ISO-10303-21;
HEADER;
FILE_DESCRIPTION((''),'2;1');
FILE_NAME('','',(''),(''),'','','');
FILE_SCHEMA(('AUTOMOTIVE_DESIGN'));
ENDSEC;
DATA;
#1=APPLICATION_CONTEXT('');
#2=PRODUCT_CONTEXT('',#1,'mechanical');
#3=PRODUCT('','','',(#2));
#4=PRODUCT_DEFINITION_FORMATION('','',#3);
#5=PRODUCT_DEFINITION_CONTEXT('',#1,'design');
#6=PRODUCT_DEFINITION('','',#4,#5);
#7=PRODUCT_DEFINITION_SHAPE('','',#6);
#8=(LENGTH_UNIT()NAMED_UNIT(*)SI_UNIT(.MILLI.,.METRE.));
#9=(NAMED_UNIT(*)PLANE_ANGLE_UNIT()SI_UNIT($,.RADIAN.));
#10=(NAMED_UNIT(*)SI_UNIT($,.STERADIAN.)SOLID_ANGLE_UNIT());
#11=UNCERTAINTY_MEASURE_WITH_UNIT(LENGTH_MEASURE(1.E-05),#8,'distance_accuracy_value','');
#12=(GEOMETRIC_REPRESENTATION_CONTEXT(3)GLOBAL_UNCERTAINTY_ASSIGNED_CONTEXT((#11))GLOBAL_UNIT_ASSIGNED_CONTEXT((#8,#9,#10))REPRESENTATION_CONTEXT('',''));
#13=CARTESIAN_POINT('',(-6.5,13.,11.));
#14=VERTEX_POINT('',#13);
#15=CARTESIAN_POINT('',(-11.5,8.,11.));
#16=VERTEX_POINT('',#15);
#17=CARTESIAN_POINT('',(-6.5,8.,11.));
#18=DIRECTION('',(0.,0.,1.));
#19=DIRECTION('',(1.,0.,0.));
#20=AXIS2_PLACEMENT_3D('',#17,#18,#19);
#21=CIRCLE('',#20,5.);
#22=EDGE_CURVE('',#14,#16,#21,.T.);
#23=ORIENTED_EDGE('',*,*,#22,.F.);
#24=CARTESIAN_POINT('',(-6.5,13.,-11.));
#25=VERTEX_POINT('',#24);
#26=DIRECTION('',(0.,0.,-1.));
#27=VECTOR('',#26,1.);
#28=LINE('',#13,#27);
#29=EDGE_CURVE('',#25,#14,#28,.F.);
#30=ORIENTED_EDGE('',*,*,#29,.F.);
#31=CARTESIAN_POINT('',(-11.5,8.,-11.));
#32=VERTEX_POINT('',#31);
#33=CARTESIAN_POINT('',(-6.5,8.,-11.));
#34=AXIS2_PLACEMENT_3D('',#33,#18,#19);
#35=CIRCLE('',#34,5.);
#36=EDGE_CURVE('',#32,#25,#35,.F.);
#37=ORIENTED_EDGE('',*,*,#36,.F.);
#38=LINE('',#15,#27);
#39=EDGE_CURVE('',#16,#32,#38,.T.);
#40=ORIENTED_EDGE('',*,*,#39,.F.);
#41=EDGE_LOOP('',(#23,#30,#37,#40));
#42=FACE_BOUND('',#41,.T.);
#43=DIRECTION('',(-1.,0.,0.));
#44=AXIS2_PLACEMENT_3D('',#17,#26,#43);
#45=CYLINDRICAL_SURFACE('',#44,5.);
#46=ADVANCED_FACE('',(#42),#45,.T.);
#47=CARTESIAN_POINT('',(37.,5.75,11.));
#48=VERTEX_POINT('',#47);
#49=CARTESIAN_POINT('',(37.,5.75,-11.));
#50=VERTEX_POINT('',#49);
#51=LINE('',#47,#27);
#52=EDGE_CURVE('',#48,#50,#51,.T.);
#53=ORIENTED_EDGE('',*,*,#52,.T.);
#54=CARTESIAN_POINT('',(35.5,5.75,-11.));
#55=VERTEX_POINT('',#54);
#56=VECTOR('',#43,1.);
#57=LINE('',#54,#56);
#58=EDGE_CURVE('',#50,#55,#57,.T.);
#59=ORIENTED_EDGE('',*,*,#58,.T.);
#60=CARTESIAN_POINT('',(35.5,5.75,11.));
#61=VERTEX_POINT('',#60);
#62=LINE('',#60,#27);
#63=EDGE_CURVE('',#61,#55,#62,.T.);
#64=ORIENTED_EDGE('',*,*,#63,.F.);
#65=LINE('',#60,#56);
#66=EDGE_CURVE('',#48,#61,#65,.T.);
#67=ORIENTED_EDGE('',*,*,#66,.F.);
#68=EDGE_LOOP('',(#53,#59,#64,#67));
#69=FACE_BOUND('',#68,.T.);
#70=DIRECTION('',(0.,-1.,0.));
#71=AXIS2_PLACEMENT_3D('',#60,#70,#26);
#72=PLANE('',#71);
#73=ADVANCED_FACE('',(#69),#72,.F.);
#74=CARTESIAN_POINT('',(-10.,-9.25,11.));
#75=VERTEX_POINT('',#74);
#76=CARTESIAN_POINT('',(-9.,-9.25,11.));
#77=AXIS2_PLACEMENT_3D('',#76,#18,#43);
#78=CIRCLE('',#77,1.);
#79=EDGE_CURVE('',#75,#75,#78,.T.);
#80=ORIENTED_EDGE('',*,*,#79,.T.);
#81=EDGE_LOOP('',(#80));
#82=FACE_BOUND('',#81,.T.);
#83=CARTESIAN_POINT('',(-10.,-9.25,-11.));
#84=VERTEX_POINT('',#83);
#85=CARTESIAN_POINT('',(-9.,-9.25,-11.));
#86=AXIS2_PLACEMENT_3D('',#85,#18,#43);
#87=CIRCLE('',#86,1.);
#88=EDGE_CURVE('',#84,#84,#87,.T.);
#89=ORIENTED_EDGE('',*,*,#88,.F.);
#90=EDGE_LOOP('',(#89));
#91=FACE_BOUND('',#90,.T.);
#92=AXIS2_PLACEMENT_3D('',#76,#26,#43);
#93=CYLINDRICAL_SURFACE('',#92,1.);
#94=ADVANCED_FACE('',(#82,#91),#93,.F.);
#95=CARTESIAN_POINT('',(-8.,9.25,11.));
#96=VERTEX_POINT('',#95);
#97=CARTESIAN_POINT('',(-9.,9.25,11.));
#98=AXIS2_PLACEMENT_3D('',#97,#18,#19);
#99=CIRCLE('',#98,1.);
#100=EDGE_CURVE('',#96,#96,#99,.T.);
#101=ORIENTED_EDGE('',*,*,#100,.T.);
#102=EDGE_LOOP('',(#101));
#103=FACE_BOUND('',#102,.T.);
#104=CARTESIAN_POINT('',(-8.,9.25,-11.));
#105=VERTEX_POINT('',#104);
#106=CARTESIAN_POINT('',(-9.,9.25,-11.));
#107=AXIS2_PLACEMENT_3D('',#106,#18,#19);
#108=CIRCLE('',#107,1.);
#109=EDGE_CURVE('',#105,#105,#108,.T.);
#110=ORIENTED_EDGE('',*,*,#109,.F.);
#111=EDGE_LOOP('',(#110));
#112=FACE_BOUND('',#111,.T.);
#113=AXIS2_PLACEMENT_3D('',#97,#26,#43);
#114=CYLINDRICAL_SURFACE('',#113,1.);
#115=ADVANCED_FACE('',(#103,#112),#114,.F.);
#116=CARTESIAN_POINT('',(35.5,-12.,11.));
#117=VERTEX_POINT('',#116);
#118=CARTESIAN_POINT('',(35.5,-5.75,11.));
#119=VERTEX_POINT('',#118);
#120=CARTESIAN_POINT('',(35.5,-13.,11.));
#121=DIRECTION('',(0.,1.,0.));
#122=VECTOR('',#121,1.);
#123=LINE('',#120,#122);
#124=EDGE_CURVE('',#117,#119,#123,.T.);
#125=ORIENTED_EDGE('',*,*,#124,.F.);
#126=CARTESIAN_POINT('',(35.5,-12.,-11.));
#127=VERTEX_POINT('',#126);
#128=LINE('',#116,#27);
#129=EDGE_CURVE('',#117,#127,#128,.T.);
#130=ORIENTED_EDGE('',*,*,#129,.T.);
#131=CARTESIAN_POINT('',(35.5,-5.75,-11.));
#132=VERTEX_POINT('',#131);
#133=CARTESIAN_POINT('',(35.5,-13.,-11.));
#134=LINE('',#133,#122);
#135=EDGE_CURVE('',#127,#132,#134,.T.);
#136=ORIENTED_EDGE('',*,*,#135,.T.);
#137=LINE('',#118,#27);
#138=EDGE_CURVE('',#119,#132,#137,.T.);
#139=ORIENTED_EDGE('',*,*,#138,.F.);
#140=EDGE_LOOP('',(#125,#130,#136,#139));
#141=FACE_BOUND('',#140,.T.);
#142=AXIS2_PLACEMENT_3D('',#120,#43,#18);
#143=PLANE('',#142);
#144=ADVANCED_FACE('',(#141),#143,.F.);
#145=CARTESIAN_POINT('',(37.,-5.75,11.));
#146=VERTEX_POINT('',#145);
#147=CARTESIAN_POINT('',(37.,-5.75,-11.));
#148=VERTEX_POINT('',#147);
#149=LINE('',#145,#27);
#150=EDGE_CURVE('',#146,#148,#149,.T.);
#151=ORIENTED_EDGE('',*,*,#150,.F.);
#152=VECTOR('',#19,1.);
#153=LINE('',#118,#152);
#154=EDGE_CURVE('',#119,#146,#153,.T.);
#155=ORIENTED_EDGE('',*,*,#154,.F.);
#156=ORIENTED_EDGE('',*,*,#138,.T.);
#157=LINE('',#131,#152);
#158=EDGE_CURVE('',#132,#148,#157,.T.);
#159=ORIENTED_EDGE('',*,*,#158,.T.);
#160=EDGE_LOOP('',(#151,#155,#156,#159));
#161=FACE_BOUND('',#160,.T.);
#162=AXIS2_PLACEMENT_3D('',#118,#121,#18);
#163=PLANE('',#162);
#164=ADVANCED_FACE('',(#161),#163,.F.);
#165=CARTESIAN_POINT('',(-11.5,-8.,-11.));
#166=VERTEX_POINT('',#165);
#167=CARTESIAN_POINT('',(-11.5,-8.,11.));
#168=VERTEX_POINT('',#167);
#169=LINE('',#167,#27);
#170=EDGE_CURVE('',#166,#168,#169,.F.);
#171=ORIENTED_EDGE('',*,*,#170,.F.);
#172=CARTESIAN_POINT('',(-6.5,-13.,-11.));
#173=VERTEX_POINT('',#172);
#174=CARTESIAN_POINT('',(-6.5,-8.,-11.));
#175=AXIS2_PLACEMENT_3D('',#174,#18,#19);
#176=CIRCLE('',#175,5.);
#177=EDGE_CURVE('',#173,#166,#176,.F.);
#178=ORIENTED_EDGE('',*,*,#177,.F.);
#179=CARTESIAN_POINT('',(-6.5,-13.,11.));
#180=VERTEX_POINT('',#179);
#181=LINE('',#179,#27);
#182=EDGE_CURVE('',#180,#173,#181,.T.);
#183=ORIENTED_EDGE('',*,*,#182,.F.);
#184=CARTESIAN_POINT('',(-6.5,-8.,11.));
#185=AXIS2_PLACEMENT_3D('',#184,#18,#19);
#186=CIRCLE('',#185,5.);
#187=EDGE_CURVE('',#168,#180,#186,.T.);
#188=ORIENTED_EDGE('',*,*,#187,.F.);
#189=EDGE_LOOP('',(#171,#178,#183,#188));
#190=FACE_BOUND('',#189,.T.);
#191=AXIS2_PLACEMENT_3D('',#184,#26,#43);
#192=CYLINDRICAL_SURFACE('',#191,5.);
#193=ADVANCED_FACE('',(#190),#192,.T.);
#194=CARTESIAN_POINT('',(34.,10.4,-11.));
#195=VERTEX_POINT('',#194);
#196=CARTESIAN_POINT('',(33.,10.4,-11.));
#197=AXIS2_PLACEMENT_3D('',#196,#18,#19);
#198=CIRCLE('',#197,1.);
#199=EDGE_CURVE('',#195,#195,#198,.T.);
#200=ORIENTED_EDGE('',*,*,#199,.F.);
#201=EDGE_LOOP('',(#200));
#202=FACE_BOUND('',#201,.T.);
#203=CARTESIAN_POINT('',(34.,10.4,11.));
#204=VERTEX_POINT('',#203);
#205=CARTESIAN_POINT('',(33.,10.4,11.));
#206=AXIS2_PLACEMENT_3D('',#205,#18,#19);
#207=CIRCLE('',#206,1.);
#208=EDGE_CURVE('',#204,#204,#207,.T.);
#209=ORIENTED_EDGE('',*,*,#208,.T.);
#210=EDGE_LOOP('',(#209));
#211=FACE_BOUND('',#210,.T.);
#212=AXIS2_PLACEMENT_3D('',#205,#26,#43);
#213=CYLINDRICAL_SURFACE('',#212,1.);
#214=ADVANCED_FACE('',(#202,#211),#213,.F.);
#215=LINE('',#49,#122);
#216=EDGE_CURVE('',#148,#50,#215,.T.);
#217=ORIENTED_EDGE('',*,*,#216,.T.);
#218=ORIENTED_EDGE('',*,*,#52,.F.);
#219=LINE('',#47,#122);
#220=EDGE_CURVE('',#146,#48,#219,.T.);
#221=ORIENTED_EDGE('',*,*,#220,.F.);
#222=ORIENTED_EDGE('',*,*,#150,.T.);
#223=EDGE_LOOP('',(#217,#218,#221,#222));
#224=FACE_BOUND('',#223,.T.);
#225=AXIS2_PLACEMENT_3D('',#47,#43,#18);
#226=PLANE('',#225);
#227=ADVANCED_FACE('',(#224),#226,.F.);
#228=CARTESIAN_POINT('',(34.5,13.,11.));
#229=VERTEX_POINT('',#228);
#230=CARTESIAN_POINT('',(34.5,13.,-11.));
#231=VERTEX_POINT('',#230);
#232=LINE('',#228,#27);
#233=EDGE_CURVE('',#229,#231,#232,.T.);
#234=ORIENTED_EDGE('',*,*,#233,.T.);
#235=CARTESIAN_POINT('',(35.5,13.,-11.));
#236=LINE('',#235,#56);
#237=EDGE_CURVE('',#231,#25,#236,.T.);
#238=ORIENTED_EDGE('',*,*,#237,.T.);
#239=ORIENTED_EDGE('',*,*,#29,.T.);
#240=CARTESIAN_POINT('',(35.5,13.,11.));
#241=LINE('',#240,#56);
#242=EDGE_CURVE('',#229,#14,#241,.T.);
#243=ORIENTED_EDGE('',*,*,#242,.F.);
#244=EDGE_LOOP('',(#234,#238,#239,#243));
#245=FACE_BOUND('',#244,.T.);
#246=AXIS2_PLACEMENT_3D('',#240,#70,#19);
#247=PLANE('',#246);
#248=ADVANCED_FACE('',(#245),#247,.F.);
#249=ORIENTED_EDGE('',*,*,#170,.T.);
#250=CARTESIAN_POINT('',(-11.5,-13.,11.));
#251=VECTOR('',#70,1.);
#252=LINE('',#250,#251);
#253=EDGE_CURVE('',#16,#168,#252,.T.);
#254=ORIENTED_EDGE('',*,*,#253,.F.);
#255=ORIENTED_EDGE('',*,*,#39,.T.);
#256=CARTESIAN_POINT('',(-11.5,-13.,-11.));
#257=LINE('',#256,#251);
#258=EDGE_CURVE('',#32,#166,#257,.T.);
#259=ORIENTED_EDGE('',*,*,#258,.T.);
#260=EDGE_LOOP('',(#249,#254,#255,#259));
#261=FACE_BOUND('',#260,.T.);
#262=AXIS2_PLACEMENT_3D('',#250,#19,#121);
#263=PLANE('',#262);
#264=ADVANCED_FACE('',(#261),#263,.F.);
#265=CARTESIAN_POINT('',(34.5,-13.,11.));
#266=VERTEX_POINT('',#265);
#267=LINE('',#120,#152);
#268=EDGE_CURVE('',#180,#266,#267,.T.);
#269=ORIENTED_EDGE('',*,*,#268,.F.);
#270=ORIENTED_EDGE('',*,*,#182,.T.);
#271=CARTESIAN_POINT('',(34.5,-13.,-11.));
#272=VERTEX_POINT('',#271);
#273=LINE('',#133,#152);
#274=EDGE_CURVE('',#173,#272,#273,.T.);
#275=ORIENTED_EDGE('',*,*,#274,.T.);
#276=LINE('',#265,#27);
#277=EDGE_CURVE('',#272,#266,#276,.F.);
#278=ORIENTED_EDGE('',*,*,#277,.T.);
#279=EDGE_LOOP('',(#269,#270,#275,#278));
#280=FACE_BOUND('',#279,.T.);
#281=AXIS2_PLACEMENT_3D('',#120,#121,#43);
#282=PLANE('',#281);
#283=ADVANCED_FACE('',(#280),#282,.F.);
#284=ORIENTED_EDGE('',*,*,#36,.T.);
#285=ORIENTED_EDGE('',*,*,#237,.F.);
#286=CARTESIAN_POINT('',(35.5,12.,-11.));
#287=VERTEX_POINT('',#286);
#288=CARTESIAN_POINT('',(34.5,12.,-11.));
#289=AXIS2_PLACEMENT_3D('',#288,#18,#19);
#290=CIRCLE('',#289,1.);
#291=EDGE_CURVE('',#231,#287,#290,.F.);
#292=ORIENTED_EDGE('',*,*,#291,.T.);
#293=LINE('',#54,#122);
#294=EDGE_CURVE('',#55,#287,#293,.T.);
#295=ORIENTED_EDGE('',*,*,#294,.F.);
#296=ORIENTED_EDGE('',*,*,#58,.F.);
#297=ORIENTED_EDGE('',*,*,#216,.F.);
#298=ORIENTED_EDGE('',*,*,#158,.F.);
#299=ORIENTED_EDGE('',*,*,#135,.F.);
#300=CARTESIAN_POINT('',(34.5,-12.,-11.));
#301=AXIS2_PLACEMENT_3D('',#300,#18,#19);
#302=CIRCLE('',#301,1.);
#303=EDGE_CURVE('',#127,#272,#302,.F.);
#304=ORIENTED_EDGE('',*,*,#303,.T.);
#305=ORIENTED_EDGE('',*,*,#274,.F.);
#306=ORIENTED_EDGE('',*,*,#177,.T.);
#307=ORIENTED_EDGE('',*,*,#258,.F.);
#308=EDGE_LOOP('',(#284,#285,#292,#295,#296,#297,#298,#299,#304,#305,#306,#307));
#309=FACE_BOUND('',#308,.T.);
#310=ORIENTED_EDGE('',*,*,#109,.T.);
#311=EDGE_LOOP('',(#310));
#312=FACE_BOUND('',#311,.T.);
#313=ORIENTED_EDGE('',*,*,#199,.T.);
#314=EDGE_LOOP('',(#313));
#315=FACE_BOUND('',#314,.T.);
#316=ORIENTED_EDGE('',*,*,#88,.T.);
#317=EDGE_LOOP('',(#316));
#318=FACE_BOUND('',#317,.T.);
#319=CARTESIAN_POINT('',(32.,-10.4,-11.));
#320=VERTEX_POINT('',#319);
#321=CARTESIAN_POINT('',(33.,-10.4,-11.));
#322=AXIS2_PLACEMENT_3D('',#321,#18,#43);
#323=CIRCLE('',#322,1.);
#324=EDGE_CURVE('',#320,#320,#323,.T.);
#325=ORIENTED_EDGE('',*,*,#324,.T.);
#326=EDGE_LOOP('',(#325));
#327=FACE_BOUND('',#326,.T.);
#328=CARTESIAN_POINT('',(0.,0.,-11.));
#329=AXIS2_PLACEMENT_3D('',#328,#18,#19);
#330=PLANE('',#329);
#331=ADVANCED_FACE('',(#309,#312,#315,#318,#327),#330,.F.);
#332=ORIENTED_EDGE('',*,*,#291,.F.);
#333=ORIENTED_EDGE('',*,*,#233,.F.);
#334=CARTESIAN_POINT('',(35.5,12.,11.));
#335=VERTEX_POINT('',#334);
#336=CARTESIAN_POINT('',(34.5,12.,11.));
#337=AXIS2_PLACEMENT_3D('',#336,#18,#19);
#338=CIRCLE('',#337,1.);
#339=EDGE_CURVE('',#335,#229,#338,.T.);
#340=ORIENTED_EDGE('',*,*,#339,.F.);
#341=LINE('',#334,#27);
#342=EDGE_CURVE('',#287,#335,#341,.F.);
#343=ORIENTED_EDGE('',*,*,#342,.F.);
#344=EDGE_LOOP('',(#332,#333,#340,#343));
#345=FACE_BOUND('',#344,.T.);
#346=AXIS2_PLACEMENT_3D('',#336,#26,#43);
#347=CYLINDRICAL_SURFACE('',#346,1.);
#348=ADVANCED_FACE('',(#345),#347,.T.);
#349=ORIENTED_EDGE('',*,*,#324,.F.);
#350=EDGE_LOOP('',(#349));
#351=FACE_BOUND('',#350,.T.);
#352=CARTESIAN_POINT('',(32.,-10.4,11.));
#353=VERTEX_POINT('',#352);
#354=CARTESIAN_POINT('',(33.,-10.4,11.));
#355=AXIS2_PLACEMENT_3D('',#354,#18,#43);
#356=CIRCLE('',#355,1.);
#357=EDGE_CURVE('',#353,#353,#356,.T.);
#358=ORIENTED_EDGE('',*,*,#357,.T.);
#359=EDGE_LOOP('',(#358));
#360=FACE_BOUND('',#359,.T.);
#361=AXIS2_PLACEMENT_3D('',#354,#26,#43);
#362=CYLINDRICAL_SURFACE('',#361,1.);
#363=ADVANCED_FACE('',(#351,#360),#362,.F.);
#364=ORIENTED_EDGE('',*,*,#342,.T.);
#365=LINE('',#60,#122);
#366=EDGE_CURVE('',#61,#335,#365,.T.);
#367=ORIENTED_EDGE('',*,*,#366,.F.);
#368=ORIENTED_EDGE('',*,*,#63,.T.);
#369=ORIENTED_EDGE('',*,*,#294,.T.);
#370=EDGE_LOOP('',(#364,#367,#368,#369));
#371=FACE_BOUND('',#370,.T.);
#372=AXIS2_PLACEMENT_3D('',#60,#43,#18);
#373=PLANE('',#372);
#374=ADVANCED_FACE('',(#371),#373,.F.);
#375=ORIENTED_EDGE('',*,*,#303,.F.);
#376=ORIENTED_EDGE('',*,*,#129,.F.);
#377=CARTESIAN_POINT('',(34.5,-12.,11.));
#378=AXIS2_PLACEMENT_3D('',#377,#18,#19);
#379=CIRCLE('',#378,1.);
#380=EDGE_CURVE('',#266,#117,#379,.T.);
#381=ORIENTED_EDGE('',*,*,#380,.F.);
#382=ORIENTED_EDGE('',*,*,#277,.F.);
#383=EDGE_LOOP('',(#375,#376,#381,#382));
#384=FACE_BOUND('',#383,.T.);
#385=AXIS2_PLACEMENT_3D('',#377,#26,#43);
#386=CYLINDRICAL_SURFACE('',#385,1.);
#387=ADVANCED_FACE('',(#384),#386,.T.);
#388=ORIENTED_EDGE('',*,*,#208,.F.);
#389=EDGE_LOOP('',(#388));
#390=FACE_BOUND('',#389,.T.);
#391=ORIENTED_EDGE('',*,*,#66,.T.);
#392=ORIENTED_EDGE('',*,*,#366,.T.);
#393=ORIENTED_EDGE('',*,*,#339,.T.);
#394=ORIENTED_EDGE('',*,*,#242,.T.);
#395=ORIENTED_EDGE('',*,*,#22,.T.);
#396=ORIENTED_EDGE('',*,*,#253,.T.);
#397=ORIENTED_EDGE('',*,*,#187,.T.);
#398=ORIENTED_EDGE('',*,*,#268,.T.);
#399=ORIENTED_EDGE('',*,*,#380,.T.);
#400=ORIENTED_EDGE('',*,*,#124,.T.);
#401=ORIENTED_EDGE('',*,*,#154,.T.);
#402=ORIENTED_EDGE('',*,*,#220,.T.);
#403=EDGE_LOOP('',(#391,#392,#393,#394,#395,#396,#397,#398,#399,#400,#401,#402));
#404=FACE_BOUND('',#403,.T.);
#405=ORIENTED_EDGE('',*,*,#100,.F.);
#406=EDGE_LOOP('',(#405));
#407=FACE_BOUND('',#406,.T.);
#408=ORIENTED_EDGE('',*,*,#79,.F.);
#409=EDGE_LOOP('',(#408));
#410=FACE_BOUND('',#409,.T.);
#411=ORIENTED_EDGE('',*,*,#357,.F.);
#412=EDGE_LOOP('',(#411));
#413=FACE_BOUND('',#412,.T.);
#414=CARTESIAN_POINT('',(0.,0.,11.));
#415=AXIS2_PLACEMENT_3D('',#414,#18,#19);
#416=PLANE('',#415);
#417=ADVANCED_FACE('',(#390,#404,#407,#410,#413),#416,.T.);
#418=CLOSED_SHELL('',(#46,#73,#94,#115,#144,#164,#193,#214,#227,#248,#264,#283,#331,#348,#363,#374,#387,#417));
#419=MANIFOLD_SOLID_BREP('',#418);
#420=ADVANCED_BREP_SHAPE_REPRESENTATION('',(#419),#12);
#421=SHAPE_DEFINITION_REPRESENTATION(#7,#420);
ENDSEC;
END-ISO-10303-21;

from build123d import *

# Parameters (mm, degrees)
SKETCH1_R           = 1
BOSS_EXTRUDE1_DEPTH = 11
FILLET1_R           = 5
FILLET2_R           = 1


with BuildPart() as part:
    # Sketch1 → Boss-Extrude1 (new body, symmetric)
    with BuildSketch(Plane.XY):
        Polygon((35.5, -13), (-11.5, -13), (-11.5, 13), (35.5, 13), (35.5, 5.75), (37, 5.75), (37, -5.75), (35.5, -5.75), align=None)
        with Locations((-9, 9.25)):
            Circle(SKETCH1_R, mode=Mode.SUBTRACT)
        with Locations((33, 10.4)):
            Circle(SKETCH1_R, mode=Mode.SUBTRACT)
        with Locations((33, -10.4)):
            Circle(SKETCH1_R, mode=Mode.SUBTRACT)
        with Locations((-9, -9.25)):
            Circle(SKETCH1_R, mode=Mode.SUBTRACT)
    extrude(amount=BOSS_EXTRUDE1_DEPTH, both=True)

    # Fillet1
    fillet1_edges = [part.edges().sort_by_distance(p)[0] for p in [
        (-11.5, 13, 0),
        (-11.5, -13, 0),
    ]]
    fillet(fillet1_edges, radius=FILLET1_R)

    # Fillet2
    fillet2_edges = [part.edges().sort_by_distance(p)[0] for p in [
        (35.5, 13, 0),
        (35.5, -13, 0),
    ]]
    fillet(fillet2_edges, radius=FILLET2_R)


solid = part.part
